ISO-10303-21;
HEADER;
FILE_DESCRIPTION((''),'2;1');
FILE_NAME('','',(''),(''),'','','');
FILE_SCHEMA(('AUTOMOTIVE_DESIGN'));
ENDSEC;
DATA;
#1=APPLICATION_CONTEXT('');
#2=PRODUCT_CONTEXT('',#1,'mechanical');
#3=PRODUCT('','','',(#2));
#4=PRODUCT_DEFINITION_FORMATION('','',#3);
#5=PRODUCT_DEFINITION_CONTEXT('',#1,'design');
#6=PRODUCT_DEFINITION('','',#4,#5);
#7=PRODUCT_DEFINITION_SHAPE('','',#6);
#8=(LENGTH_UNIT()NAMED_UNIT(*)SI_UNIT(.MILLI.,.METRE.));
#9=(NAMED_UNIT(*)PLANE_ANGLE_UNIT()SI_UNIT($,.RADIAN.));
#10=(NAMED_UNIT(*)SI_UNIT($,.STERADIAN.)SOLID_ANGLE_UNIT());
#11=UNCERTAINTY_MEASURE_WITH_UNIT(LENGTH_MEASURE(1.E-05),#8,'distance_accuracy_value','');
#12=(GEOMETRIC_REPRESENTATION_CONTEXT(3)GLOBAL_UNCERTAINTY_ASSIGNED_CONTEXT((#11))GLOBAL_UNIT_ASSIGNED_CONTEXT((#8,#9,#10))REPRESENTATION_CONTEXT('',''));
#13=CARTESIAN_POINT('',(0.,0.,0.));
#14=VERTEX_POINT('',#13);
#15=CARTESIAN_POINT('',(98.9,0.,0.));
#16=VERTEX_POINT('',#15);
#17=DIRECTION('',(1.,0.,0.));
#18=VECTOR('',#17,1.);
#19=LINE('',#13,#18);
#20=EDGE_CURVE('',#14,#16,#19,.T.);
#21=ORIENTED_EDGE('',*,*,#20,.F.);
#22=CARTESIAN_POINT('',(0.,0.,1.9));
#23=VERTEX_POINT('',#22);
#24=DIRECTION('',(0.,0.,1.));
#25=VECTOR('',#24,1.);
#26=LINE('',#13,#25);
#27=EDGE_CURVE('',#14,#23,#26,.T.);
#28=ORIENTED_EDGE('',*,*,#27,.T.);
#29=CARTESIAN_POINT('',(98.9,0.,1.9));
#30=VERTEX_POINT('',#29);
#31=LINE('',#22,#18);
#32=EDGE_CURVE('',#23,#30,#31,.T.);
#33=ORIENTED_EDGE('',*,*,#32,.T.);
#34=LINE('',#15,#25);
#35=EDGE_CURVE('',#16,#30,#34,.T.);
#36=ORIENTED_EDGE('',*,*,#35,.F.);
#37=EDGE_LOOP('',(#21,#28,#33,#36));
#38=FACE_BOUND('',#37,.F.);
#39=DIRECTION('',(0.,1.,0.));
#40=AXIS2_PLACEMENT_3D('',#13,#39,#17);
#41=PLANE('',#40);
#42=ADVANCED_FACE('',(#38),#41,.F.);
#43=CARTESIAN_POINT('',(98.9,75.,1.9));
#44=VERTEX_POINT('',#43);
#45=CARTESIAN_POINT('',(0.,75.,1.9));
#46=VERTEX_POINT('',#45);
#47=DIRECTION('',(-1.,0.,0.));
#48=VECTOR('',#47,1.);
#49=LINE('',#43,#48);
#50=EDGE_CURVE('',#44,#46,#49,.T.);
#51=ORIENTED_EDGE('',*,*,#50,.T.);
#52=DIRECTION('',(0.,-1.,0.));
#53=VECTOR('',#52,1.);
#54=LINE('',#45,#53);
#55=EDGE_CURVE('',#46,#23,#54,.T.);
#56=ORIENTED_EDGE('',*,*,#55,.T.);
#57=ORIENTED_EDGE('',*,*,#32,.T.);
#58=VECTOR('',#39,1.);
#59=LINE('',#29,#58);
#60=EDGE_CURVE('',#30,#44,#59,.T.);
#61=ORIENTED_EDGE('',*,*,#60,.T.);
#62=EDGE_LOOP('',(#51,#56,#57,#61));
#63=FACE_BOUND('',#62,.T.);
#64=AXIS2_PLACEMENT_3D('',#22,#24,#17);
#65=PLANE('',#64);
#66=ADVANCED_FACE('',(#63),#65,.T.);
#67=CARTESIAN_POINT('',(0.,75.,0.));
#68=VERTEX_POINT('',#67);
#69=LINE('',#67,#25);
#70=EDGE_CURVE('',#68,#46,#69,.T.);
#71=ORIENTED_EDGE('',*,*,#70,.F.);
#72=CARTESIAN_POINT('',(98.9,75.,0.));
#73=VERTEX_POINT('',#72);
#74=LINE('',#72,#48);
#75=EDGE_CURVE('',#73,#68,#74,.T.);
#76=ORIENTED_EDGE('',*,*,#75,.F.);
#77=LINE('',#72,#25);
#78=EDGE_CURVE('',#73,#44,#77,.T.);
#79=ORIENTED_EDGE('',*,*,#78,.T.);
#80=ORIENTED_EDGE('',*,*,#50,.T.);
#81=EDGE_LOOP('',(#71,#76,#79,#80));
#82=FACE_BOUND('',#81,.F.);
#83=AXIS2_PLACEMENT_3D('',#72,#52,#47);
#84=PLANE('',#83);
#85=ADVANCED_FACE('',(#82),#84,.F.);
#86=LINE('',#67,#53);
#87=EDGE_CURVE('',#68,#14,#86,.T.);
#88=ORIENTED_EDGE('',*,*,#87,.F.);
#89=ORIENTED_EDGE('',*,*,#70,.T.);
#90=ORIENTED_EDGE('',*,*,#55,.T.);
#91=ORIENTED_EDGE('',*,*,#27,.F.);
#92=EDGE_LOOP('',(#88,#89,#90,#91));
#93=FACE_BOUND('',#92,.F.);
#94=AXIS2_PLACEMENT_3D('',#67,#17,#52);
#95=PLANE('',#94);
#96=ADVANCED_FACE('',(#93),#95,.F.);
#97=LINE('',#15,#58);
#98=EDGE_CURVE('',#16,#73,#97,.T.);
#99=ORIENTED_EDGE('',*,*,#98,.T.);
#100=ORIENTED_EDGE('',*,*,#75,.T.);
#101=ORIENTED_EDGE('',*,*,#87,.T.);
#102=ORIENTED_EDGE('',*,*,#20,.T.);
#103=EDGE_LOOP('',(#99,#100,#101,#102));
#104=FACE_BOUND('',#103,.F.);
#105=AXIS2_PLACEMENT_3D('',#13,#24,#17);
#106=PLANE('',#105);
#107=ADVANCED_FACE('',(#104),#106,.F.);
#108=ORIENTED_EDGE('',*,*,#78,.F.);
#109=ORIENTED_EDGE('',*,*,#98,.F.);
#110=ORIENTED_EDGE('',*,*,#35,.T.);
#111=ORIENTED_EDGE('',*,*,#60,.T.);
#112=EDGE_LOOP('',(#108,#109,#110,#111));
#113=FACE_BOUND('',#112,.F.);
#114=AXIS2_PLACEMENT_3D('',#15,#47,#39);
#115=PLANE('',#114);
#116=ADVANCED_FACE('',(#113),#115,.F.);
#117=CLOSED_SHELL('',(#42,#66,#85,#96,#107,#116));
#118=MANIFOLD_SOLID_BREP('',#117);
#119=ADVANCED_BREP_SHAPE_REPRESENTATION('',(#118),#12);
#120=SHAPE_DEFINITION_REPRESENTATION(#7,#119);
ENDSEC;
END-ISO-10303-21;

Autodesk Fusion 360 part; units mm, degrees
sketch "Sketch1" plane through (0, 0, 0) normal (0, 0, 1) x (1, 0, 0)
  line L0 (0, 0) -> (98.9, 0)
  line L1 (98.9, 0) -> (98.9, 75)
  line L2 (98.9, 75) -> (0, 75)
  line L3 (0, 75) -> (0, 0)
  dimension "d1" = 98.9
  dimension "d2" = 75
extrude "Extrude1" add sketch "Sketch1" along normal blind 1.9
